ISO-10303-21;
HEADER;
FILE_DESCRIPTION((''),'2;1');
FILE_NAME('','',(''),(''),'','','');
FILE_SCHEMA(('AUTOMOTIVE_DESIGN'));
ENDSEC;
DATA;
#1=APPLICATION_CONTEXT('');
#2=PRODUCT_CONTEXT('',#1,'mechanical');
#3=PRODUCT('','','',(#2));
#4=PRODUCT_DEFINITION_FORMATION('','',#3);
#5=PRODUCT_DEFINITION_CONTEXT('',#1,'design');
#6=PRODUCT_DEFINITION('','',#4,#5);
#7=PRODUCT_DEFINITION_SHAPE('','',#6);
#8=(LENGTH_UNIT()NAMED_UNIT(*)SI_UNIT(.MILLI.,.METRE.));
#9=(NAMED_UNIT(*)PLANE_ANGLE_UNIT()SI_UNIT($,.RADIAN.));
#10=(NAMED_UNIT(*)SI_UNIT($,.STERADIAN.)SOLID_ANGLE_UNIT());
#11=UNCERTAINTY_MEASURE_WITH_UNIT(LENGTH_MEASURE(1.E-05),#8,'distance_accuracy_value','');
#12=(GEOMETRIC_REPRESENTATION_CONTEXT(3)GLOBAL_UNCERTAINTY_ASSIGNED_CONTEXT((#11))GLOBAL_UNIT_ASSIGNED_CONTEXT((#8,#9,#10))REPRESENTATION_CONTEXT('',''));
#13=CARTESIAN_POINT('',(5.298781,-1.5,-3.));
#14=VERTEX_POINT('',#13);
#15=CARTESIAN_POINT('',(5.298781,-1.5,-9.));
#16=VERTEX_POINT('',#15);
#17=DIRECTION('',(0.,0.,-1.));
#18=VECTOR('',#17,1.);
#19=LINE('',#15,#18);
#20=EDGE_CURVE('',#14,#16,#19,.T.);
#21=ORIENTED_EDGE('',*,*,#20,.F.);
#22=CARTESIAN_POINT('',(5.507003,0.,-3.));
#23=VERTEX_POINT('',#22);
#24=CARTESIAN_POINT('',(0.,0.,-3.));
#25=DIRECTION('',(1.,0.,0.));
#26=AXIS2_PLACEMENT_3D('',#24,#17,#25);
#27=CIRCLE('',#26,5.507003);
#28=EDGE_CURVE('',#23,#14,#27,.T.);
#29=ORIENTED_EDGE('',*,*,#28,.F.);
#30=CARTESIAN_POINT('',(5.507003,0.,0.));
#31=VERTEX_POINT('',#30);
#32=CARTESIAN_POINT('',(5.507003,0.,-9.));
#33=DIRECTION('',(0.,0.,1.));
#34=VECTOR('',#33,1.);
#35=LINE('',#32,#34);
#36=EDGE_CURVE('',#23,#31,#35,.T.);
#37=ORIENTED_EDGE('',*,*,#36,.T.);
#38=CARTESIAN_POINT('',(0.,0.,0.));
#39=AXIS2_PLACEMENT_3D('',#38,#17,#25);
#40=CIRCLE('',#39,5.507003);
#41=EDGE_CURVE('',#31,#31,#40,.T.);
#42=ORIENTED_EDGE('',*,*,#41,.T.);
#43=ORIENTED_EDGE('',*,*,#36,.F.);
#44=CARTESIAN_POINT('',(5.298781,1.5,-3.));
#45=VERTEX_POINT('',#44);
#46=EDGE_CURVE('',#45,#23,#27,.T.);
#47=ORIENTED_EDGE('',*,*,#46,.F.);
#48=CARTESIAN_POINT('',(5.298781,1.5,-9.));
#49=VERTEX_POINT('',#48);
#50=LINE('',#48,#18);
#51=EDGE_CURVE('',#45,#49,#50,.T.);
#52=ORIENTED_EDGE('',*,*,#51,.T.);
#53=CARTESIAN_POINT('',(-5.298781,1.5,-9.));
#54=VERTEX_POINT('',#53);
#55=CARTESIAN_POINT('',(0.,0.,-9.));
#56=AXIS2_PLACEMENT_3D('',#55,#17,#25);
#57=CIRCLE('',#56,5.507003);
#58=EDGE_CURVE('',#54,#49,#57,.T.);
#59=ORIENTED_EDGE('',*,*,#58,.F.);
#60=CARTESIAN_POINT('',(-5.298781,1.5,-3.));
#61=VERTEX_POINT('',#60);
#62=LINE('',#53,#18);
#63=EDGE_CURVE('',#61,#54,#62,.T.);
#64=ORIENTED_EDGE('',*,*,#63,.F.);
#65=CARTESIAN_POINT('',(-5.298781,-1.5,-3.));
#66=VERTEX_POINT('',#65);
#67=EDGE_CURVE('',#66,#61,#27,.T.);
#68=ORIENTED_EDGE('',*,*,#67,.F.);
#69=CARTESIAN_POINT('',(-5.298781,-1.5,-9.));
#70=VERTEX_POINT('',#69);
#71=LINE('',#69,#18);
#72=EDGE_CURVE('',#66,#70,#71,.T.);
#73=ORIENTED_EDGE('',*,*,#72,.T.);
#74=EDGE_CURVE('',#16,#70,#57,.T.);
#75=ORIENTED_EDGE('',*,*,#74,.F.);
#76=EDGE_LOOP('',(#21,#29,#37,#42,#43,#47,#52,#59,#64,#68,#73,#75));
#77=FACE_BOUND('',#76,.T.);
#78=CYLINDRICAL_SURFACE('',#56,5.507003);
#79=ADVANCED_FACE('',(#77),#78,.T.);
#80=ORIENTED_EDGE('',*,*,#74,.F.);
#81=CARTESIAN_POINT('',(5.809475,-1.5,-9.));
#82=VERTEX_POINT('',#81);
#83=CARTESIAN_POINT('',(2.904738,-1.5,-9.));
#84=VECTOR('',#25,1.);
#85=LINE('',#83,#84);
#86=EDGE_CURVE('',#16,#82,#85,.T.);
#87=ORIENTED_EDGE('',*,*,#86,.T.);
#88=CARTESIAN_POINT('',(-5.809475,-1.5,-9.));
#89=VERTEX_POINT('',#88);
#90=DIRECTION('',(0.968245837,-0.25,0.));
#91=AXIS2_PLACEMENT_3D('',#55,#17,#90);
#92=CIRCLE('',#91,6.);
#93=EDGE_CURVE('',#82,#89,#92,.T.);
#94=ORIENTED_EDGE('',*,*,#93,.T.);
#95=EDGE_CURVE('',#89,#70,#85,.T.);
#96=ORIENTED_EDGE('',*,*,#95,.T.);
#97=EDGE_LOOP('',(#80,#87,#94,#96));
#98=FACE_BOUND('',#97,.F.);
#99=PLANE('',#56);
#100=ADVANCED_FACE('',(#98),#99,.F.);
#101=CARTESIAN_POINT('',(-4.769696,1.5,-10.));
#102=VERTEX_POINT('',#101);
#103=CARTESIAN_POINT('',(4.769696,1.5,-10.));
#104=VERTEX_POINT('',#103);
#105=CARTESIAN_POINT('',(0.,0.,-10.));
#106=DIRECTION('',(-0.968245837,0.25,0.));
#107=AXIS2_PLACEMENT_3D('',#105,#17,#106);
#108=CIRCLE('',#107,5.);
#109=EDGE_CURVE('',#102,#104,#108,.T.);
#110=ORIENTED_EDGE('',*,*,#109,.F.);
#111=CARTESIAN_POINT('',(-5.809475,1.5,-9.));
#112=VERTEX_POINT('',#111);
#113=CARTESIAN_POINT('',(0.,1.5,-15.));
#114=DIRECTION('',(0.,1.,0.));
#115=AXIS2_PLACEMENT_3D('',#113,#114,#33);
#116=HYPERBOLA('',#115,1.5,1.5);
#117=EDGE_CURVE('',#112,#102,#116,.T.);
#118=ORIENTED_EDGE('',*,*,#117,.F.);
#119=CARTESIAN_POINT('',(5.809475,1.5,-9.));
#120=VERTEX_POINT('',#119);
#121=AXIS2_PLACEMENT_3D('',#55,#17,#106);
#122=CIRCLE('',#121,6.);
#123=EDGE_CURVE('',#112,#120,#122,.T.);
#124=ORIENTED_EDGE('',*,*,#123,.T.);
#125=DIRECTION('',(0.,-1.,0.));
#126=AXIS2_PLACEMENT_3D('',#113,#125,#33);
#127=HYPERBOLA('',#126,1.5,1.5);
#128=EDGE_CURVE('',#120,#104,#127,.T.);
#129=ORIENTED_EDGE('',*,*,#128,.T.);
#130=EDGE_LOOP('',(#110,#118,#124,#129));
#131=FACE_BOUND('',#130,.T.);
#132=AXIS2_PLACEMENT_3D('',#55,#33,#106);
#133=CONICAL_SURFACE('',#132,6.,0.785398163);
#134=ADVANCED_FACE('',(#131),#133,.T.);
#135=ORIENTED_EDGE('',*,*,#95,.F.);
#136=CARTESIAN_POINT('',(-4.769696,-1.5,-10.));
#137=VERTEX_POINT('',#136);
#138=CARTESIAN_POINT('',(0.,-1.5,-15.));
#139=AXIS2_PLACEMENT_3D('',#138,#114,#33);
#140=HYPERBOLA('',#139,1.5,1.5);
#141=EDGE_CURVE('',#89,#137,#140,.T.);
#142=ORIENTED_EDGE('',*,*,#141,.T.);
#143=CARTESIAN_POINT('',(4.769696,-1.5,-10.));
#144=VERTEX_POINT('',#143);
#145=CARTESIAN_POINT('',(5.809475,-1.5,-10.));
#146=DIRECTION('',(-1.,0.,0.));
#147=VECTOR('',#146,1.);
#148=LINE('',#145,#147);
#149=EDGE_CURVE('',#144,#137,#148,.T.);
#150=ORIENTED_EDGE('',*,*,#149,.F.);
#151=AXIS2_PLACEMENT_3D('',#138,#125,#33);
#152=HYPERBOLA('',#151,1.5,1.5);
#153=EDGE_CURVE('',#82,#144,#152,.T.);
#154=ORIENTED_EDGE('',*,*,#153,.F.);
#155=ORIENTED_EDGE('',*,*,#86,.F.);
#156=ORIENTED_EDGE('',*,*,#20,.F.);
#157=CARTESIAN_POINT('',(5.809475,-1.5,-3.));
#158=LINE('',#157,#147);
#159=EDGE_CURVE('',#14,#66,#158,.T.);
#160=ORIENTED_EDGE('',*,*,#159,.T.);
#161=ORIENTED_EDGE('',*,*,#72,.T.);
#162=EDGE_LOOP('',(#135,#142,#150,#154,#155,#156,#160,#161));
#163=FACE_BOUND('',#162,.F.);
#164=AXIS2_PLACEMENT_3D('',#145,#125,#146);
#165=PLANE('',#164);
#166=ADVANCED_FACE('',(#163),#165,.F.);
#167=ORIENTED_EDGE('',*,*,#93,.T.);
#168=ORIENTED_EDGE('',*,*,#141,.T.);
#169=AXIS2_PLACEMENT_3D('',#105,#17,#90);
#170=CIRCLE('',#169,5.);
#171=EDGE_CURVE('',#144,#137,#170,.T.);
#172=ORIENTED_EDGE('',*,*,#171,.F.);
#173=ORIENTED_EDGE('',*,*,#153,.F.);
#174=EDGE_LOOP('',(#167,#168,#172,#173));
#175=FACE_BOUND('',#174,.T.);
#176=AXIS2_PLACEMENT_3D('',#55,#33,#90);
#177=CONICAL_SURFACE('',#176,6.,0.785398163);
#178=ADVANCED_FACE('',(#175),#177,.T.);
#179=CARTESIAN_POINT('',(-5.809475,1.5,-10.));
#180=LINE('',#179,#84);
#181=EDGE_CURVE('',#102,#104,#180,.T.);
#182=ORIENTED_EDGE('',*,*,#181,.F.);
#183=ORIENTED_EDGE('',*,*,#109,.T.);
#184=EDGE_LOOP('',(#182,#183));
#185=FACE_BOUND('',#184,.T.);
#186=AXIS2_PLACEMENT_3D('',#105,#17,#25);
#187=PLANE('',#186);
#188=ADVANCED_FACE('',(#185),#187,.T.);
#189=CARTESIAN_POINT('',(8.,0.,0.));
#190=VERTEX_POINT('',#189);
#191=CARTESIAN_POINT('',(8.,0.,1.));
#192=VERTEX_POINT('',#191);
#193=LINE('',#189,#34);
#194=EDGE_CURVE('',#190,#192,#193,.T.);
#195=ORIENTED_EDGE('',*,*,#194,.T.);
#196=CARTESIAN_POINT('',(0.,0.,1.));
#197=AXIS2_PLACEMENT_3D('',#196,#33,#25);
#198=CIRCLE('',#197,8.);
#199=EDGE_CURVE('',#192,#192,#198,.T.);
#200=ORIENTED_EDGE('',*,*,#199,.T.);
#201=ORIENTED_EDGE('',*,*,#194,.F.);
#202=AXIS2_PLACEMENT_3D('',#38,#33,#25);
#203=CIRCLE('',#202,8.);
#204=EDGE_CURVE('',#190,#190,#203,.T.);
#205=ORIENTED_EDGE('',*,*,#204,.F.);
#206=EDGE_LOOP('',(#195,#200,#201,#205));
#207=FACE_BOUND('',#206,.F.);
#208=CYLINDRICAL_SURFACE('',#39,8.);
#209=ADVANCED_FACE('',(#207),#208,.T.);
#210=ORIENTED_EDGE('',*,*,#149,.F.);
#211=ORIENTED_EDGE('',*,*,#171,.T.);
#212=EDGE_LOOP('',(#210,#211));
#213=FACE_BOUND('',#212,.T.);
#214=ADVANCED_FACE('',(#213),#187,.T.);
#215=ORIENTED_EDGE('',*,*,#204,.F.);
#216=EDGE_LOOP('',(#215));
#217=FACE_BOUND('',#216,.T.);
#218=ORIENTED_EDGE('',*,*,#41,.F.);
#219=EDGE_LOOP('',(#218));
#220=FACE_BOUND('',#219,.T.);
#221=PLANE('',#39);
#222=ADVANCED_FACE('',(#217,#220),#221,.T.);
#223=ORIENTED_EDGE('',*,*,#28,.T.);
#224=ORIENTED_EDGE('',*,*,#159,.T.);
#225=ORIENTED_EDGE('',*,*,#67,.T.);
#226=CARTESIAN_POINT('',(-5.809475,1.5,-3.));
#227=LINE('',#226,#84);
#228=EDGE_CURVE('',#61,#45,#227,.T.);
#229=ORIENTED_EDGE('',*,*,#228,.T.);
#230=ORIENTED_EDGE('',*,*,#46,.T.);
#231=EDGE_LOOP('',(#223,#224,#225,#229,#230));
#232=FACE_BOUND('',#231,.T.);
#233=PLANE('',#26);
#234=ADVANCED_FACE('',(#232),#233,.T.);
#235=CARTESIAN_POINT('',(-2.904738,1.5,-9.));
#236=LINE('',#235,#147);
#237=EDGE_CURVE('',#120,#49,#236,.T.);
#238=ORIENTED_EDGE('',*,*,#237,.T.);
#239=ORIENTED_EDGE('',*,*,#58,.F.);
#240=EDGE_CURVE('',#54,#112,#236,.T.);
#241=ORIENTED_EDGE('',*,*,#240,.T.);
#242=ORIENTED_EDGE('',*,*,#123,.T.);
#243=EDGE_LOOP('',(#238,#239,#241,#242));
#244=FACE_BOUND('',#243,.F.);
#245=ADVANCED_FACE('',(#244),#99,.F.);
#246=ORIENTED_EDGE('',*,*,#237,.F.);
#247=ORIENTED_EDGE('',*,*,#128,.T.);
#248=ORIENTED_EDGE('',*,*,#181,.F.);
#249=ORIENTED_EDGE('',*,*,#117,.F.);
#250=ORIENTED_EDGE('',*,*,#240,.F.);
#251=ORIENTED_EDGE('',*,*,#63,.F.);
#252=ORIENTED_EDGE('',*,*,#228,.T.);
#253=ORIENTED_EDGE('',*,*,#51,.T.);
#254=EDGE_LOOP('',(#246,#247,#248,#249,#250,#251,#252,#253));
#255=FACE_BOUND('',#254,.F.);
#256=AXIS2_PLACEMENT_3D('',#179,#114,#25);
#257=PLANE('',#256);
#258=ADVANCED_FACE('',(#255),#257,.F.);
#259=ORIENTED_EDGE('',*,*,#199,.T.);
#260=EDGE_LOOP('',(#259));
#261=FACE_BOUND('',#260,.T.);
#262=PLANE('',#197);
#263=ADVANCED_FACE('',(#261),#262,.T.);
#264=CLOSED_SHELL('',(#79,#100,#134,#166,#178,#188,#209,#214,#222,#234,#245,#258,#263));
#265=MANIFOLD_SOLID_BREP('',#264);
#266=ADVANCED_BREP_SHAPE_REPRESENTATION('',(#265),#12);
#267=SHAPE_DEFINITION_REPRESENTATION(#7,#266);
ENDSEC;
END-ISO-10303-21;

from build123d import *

# Parameters (mm, degrees)
F0_R     = 8
F1_DEPTH = 1
F2_R     = 6
F3_DEPTH = 10
F5_DEPTH = 7
F6_SIZE  = 1
F8_R     = 6
F8_R_2   = 5.5070026954
F9_DEPTH = 9


with BuildPart() as f1:
    # F0 (on Top) → F1 (new body)
    with BuildSketch(Plane.XY):
        Circle(F0_R)
    extrude(amount=F1_DEPTH)

    # F2 (on face) → F3 (join)
    with BuildSketch(Plane(origin=(0, 0, 0), x_dir=(1, 0, 0), z_dir=(0, 0, -1))):
        Circle(F2_R)
    extrude(amount=F3_DEPTH)

    # F4 (on face) → F5 (cut)
    with BuildSketch(Plane(origin=(0, 0, -10), x_dir=(1, 0, 0), z_dir=(0, 0, -1))):
        with BuildLine():
            ThreePointArc((5.8094750193, -1.5), (5.9521781776, -0.7560257549), (6, 0))
            ThreePointArc((6, 0), (5.9521781776, 0.7560257549), (5.8094750193, 1.5))
            Line((5.8094750193, 1.5), (-5.8094750193, 1.5))
            ThreePointArc((-5.8094750193, 1.5), (-6, 0), (-5.8094750193, -1.5))
            Line((-5.8094750193, -1.5), (5.8094750193, -1.5))
        make_face()
    extrude(amount=-F5_DEPTH, mode=Mode.SUBTRACT)

    # F6
    f6_edges = [f1.edges().sort_by_distance(p)[0] for p in [
        (0, 6, -10),
        (0, -6, -10),
    ]]
    chamfer(f6_edges, length=F6_SIZE)

    # F8 (on offset) → F9 (cut)
    with BuildSketch(Plane(origin=(0, 0, -9), x_dir=(1, 0, 0), z_dir=(0, 0, -1))):
        Circle(F8_R)
        Circle(F8_R_2, mode=Mode.SUBTRACT)
    extrude(amount=-F9_DEPTH, mode=Mode.SUBTRACT)


solid = f1.part
